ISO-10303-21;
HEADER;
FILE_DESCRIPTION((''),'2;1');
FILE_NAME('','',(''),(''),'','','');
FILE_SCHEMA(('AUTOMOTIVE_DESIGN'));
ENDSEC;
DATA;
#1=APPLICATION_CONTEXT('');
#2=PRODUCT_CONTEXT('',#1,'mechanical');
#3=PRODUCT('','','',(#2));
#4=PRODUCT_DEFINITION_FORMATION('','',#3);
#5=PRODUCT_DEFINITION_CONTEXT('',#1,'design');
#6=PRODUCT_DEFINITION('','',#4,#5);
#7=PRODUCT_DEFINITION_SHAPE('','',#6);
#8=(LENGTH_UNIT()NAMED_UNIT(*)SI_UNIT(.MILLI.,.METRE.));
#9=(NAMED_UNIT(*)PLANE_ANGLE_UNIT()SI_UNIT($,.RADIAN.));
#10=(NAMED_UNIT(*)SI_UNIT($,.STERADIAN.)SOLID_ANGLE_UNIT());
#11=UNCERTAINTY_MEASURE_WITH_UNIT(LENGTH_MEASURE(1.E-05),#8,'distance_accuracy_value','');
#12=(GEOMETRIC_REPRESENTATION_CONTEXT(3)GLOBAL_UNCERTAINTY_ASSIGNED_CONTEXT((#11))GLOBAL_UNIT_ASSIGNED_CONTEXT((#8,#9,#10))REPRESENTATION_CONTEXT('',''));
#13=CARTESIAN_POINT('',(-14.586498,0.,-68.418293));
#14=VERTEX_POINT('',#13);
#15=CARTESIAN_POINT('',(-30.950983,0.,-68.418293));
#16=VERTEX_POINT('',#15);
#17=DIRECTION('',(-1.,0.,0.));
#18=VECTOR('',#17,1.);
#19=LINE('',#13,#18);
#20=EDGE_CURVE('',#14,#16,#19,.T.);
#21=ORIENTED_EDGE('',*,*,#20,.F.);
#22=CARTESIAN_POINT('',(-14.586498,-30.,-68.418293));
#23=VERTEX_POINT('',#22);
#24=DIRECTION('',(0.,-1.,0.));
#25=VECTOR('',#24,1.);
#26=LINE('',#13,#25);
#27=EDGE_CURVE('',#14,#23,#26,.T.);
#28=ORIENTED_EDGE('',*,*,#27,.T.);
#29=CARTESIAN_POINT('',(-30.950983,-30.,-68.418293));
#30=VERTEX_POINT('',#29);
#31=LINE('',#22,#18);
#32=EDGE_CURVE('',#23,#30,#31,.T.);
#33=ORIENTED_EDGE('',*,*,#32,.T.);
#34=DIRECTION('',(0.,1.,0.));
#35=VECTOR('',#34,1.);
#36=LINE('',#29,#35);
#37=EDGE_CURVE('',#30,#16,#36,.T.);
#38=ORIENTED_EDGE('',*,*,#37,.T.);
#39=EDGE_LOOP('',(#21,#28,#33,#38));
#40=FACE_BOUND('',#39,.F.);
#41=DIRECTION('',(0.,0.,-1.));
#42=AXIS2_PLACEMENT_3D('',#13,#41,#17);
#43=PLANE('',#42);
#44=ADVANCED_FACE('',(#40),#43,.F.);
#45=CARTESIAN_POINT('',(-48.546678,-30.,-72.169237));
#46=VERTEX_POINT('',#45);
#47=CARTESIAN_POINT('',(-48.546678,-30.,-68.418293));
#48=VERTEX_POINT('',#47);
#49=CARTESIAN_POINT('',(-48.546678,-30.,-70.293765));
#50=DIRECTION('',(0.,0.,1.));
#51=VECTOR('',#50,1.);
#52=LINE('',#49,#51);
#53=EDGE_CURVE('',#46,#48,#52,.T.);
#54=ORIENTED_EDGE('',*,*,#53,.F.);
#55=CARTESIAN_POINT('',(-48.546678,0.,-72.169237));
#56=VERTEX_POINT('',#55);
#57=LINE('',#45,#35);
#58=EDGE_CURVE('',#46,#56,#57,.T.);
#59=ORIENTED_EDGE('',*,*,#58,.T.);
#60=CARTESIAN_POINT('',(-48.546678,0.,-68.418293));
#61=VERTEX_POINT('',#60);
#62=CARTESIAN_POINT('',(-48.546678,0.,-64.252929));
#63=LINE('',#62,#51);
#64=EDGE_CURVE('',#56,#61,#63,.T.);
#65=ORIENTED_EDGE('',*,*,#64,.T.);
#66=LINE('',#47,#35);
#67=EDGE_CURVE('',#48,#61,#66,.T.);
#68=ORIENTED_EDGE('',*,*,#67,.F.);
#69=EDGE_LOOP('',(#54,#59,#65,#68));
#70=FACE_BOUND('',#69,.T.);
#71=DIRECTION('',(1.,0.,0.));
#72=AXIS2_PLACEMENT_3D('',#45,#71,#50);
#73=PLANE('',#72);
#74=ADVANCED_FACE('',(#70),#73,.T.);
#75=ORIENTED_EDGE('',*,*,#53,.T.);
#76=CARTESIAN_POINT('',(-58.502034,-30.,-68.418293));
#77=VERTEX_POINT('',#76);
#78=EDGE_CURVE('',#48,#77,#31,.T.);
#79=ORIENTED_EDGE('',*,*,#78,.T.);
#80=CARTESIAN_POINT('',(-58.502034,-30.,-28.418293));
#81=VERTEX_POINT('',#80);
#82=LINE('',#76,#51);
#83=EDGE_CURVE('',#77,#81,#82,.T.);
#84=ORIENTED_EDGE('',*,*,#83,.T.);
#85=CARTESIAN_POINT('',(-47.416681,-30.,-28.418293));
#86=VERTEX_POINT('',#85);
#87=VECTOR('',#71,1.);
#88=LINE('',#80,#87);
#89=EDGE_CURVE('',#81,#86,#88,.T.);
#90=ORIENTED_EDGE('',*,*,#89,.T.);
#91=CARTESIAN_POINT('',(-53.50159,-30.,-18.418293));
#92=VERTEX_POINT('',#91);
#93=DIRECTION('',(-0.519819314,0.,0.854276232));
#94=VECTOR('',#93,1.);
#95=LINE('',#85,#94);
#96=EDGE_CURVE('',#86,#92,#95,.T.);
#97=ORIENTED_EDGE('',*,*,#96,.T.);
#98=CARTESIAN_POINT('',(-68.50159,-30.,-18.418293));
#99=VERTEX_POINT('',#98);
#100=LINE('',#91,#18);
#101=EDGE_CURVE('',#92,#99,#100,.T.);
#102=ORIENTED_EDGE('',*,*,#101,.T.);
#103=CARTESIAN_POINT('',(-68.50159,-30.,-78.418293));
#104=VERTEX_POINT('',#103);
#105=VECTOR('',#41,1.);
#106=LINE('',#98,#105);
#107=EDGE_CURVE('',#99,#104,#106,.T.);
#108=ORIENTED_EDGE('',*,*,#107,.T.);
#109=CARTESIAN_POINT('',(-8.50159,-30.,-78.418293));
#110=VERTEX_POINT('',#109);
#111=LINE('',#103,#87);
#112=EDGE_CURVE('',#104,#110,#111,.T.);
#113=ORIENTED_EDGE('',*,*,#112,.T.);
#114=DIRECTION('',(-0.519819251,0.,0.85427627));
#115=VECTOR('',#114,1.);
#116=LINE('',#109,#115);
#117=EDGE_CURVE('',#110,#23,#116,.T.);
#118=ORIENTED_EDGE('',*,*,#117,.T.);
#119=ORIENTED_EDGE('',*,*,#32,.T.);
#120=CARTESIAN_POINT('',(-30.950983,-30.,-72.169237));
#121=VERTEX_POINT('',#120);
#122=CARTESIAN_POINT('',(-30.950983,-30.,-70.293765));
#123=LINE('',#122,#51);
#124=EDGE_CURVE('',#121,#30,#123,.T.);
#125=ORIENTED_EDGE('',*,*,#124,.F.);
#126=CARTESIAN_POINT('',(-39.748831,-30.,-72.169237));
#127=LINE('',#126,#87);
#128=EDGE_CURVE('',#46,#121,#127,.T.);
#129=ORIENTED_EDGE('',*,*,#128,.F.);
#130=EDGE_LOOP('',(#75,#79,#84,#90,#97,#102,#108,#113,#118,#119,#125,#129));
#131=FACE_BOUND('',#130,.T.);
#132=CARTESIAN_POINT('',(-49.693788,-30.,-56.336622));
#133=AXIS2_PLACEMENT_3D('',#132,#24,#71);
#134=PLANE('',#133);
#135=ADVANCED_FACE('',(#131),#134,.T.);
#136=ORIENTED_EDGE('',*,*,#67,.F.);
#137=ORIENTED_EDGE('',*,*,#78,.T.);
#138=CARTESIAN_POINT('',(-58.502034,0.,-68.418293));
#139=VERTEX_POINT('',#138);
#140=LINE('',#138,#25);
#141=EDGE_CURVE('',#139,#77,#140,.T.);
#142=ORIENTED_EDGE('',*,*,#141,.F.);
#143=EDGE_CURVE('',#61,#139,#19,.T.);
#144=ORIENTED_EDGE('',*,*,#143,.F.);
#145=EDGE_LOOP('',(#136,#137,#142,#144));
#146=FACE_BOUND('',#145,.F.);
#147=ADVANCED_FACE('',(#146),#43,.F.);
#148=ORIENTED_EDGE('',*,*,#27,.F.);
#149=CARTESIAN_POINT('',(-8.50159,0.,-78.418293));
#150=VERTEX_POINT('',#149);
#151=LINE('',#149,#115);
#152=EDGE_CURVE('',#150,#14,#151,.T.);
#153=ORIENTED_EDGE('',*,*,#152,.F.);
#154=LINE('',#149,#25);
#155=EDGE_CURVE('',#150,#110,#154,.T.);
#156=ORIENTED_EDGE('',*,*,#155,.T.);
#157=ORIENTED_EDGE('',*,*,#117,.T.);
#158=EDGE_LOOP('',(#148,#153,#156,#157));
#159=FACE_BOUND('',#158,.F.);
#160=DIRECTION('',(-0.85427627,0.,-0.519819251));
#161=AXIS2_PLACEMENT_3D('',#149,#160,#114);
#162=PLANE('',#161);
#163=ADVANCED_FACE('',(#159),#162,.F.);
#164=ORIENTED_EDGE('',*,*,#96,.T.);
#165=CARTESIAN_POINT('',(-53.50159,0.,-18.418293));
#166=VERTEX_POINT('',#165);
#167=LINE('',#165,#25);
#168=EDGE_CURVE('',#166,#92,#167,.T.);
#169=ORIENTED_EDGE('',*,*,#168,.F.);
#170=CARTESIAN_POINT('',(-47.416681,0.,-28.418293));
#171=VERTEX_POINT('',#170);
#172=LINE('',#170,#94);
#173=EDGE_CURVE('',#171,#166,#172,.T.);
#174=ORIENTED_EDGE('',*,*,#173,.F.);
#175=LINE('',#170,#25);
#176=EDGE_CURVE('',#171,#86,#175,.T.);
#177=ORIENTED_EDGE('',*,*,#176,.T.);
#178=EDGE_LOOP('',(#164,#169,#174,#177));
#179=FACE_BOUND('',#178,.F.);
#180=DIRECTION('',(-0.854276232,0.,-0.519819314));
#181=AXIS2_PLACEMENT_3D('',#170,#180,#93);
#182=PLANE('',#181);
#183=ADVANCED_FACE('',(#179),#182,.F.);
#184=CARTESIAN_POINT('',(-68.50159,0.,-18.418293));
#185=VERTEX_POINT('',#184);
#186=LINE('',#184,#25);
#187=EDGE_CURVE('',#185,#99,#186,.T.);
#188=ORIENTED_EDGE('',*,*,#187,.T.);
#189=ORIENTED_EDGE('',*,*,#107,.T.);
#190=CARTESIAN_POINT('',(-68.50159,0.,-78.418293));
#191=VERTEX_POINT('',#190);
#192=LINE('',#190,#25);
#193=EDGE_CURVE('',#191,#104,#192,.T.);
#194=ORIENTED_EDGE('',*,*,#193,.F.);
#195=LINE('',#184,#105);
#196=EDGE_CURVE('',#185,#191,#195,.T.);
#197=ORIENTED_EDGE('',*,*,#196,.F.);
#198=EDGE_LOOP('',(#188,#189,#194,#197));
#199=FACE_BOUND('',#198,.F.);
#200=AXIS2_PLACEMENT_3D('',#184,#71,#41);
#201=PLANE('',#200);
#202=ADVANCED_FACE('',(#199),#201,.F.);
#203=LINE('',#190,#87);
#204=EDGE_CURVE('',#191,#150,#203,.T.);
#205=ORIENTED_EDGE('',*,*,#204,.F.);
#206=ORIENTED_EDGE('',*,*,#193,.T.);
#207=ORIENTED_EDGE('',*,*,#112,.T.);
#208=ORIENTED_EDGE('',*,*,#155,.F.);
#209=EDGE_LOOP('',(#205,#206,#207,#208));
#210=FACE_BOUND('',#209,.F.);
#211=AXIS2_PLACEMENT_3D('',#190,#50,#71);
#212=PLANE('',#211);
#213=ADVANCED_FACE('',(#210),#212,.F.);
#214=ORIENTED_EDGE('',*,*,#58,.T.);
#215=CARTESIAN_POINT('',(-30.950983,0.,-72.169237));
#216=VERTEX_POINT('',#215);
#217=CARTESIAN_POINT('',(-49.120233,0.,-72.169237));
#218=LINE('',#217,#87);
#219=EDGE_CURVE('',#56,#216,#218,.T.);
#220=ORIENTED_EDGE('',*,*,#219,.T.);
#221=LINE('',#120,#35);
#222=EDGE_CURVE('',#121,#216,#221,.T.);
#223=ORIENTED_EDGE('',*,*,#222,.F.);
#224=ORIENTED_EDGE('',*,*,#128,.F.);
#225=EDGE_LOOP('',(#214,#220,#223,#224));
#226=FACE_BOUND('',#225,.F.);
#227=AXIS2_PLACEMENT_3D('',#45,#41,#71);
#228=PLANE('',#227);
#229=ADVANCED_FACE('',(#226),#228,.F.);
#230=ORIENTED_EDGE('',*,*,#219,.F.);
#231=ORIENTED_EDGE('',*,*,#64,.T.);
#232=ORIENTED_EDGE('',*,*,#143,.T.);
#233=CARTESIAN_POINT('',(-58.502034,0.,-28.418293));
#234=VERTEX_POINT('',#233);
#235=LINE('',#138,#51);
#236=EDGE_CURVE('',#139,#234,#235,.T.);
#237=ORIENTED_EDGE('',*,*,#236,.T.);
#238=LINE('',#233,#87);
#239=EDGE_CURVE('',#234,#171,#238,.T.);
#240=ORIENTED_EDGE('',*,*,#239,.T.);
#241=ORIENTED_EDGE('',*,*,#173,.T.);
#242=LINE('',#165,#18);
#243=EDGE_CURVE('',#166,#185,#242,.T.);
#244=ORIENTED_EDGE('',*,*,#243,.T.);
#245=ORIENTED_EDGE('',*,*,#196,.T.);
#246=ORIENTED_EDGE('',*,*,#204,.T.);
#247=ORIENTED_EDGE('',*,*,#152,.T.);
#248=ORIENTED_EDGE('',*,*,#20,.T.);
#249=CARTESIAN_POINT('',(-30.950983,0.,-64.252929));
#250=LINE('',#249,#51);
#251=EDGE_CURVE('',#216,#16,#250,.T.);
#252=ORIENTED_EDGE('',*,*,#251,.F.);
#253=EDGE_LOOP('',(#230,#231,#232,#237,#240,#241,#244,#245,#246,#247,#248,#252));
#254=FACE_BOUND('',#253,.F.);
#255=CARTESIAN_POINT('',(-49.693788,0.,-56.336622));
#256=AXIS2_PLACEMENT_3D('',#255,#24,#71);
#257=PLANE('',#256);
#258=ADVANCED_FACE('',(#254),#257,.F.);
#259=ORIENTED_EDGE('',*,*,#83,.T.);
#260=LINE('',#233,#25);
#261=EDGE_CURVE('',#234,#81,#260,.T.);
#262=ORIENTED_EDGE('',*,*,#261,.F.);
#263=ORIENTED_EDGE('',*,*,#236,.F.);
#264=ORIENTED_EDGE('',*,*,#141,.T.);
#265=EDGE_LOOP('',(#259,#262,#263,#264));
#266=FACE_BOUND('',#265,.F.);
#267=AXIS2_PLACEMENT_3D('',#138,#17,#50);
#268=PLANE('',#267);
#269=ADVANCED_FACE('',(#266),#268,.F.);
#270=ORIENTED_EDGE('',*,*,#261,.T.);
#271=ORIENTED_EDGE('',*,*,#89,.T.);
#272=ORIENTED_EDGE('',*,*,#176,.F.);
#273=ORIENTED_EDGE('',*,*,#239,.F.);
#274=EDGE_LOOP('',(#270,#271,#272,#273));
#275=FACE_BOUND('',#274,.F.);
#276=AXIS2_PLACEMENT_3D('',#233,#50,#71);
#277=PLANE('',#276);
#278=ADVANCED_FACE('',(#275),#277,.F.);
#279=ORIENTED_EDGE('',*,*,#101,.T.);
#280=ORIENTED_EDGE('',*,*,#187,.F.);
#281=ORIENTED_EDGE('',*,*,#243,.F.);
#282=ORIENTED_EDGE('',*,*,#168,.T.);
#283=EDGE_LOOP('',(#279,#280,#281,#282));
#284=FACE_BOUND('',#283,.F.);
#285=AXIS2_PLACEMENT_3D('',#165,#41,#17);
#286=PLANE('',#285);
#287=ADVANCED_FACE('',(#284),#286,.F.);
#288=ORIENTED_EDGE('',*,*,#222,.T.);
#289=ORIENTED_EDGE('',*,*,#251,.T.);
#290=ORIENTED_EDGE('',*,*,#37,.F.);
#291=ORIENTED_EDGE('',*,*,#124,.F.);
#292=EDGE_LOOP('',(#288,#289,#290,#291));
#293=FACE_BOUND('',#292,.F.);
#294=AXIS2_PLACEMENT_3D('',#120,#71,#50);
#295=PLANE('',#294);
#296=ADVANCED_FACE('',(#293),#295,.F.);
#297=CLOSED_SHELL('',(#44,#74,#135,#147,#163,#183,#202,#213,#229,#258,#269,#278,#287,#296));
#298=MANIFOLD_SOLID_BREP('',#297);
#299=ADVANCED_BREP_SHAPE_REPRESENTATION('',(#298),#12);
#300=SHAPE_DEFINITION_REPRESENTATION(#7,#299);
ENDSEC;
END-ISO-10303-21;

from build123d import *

# Parameters (mm, degrees)
F1_DEPTH = 30
F2_W     = 17.595695
F2_H     = 3.750944
F3_DEPTH = 30.001


with BuildPart() as f1:
    # F0 (on Front) → F1 (new body)
    with BuildSketch(Plane.XZ):
        Polygon((-53.50159, -18.418293), (-68.50159, -18.418293), (-68.50159, -78.418293), (-8.50159, -78.418293), (-14.586498, -68.418293), (-58.502034, -68.418293), (-58.502034, -40.482688), (-58.502034, -28.418293), (-47.416681, -28.418293), align=None)
    extrude(amount=F1_DEPTH)

    # F2 (on face) → F3 (cut, through all)
    with BuildSketch(Plane.XZ.offset(30)):
        with Locations((-39.748831, -70.293765)):
            Rectangle(F2_W, F2_H)
    extrude(amount=-F3_DEPTH, mode=Mode.SUBTRACT)


solid = f1.part
